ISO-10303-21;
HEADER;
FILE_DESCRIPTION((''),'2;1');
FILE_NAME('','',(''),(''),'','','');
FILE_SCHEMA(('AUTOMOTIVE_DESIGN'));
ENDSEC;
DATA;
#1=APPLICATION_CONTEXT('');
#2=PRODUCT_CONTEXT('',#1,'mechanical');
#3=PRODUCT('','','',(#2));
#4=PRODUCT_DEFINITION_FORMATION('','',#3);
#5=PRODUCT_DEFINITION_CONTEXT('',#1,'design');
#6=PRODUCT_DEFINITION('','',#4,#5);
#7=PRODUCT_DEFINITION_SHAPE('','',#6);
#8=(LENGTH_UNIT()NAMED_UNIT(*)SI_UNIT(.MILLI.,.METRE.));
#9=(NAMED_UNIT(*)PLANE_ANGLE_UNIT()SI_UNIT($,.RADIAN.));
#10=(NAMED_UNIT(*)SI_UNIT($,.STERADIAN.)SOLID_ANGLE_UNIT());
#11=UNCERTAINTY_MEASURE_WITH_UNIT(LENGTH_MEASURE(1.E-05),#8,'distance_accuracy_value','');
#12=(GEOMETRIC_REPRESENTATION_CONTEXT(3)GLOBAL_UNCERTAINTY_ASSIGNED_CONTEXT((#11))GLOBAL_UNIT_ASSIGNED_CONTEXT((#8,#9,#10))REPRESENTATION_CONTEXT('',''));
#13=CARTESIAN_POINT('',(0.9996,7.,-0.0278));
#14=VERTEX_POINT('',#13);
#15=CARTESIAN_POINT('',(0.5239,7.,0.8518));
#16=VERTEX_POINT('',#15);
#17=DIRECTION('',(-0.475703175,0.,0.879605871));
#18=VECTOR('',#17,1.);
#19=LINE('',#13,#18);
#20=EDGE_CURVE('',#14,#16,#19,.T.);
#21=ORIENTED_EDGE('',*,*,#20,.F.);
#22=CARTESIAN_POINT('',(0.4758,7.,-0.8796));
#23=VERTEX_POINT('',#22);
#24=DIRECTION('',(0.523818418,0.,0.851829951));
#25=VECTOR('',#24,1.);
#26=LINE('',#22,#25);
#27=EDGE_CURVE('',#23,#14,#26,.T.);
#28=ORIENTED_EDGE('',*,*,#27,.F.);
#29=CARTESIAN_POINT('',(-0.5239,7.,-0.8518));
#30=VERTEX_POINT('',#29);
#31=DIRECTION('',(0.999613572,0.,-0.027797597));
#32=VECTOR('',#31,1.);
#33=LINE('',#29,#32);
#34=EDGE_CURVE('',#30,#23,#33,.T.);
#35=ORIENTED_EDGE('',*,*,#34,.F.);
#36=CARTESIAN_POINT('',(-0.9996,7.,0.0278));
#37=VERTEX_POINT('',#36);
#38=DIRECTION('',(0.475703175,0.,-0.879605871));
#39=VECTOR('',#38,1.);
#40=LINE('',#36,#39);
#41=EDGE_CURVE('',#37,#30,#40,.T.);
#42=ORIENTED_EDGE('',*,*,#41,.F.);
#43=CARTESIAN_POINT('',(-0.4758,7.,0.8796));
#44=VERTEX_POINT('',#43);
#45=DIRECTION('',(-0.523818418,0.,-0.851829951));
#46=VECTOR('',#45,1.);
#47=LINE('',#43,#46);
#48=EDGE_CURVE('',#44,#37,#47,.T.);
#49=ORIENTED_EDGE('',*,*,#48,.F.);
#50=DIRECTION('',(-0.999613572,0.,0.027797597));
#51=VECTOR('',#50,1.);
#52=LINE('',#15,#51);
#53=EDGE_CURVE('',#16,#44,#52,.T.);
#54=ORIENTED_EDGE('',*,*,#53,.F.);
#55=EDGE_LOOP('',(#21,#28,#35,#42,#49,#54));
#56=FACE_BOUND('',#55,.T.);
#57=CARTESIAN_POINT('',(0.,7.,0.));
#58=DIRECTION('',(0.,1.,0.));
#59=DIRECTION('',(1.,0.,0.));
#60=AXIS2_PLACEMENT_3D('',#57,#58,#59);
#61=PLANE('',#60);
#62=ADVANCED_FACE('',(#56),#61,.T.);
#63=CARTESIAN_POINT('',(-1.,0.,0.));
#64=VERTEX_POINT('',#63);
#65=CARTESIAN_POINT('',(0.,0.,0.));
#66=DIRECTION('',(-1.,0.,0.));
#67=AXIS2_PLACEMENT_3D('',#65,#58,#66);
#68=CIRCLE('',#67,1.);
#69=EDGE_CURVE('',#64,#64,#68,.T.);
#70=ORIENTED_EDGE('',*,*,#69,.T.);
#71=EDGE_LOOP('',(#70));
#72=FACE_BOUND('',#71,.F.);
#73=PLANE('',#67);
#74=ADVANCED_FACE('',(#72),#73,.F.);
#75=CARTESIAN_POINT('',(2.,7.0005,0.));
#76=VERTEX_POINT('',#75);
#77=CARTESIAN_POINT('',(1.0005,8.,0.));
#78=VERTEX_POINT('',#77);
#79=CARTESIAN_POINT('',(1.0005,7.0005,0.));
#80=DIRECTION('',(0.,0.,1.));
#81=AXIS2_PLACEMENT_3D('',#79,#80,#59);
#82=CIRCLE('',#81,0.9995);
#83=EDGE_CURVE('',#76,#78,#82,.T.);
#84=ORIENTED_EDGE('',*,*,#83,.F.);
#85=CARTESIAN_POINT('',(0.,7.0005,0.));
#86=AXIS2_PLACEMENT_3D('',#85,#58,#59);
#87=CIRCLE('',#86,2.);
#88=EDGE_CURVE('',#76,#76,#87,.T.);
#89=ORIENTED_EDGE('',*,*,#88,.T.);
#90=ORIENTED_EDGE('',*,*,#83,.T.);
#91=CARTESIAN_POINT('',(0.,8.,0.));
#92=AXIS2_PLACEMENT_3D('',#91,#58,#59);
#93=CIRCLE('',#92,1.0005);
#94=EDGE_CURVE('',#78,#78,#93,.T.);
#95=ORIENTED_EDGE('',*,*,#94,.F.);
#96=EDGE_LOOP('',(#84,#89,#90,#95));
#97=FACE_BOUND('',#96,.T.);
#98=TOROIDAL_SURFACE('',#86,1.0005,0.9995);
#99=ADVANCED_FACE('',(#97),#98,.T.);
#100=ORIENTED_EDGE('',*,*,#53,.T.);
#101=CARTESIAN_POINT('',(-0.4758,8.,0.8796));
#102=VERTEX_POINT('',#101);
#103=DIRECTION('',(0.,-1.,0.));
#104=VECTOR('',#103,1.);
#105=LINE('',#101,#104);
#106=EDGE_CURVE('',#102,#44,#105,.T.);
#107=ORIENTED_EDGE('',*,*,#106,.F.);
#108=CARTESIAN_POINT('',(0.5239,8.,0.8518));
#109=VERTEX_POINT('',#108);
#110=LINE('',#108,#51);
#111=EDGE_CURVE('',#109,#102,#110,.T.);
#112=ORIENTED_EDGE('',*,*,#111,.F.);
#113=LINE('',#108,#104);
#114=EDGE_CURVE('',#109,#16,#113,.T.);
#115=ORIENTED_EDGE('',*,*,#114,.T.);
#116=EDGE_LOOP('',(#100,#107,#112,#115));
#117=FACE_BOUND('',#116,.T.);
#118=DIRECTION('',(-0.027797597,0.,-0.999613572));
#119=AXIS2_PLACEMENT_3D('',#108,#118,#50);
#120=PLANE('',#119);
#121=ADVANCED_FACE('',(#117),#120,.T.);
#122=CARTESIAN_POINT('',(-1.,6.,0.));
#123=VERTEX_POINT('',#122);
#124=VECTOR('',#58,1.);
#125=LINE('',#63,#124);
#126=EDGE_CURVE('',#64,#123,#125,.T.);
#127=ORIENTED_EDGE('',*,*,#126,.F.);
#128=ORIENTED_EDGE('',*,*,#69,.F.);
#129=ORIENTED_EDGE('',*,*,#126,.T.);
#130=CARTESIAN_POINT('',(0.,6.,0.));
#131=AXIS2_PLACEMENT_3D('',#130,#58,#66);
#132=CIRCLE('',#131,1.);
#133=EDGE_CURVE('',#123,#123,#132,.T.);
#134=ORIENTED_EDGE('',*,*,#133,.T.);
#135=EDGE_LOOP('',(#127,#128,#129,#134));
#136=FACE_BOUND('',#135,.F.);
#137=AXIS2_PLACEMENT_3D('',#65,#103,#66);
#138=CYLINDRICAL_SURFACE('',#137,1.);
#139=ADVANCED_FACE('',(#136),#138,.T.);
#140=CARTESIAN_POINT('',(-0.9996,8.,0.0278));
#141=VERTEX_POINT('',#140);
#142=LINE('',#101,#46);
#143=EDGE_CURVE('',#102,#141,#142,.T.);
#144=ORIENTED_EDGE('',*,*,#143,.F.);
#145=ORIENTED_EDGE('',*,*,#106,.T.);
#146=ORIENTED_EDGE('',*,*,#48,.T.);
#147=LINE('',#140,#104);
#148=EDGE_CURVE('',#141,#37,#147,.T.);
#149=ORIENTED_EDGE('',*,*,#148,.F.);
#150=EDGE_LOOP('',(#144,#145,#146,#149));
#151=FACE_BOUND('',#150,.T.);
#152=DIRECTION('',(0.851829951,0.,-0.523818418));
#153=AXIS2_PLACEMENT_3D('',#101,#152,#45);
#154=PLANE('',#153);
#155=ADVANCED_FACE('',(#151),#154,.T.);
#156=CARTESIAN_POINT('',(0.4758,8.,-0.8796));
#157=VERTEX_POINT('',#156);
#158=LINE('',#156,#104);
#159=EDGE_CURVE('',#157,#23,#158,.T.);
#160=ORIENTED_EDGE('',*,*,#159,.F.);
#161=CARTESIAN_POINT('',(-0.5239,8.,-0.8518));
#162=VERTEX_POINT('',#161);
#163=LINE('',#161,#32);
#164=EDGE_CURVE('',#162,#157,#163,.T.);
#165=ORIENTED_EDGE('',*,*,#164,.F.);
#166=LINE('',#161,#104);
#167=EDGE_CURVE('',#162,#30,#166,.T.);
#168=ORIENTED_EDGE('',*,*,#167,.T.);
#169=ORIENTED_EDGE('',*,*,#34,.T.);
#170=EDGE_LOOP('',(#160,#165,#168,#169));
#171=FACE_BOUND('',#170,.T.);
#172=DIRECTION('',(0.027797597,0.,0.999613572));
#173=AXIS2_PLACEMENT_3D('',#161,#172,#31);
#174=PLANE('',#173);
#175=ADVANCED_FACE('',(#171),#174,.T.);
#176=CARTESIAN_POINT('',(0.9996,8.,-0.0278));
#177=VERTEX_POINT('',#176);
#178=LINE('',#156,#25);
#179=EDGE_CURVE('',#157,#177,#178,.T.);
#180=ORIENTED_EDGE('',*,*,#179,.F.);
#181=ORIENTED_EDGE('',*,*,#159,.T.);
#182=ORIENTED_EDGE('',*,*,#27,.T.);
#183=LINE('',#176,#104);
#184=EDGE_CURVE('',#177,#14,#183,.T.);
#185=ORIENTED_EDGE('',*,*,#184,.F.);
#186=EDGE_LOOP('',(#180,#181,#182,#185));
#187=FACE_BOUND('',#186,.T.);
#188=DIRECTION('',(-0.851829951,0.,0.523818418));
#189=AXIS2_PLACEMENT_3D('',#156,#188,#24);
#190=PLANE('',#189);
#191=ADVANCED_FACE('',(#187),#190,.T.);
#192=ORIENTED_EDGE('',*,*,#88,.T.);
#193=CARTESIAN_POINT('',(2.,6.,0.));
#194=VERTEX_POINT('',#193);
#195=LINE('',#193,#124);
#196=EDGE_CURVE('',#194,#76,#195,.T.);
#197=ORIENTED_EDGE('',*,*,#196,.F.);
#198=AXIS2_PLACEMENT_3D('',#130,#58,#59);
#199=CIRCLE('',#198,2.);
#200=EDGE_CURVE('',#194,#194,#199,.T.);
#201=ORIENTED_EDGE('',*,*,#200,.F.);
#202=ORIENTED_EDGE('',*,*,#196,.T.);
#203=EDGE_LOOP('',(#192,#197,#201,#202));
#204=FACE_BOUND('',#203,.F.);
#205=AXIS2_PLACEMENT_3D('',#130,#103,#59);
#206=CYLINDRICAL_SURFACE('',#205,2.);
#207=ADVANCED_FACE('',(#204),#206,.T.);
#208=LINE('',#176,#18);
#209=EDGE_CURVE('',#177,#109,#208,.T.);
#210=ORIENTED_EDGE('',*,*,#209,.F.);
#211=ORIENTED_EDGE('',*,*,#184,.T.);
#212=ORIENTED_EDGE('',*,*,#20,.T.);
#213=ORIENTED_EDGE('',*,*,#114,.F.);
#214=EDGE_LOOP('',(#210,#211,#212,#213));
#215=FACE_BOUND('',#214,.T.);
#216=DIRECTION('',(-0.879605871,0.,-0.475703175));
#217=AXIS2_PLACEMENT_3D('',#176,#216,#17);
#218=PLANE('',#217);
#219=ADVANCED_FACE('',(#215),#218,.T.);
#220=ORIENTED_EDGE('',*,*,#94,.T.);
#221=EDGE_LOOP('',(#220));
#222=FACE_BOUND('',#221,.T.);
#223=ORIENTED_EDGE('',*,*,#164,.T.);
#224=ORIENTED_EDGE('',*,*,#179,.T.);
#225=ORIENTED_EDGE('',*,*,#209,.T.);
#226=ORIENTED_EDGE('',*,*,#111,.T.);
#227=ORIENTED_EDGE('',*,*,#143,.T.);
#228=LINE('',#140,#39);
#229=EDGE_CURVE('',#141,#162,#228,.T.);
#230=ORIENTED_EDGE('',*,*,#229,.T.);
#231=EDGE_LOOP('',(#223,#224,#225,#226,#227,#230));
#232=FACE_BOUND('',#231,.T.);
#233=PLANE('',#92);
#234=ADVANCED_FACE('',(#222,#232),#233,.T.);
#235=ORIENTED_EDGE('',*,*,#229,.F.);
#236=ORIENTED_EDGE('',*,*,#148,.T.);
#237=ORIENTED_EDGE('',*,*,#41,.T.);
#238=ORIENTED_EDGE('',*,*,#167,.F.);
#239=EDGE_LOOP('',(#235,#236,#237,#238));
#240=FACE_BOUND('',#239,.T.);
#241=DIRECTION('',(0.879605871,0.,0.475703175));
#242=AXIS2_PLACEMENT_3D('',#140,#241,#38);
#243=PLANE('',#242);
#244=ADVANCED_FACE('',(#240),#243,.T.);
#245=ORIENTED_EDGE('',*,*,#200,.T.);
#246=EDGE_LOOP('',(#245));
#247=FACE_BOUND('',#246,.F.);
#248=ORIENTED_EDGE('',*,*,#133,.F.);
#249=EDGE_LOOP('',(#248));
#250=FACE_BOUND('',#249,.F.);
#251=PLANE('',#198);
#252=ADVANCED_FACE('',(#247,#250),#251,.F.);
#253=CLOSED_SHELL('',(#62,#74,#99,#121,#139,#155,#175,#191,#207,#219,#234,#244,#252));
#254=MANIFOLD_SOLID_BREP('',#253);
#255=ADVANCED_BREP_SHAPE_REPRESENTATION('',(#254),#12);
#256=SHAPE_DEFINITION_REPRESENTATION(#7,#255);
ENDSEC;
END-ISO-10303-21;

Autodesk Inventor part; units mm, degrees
ref_plane "YZ Plane" through (0, 0, 0) normal (1, 0, 0) x (0, 1, 0)
ref_plane "XZ Plane" through (0, 0, 0) normal (0, 1, 0) x (-1, 0, 0)
ref_plane "XY Plane" through (0, 0, 0) normal (0, 0, 1) x (1, 0, 0)
sketch "Sketch1" plane through (0, 0, 0) normal (0, 1, 0) x (-1, 0, 0)
  circle A0 centre (0, 0) radius 1
  dimension "d0" = 2
extrude "Extrusion1" add sketch "Sketch1" along normal blind 6
sketch "Sketch2" plane through (0, 6, 0) normal (0, 1, 0) x (1, 0, 0)
  circle A0 centre (0, 0) radius 2
  dimension "d3" = 4
extrude "Extrusion2" add sketch "Sketch2" along normal blind 2
sketch "Sketch3" plane through (0, 8, 0) normal (0, 1, 0) x (1, 0, 0)
  circle A0 centre (0, 0) radius 1 construction
  circle A1 centre (0, 0) radius 1 construction
  circle A2 centre (0, 0) radius 1
  line L0 (-0.9996, -0.0278) -> (-0.5239, 0.8518)
  line L1 (-0.5239, 0.8518) -> (0.4758, 0.8796)
  line L2 (0.4758, 0.8796) -> (0.9996, 0.0278)
  line L3 (0.9996, 0.0278) -> (0.5239, -0.8518)
  line L4 (0.5239, -0.8518) -> (-0.4758, -0.8796)
  line L5 (-0.4758, -0.8796) -> (-0.9996, -0.0278)
  dimension "d6" = 2
extrude "Extrusion3" cut sketch "Sketch3" against normal blind 1 contours L3 L4 L5 L0 L1 L2
fillet "Fillet1" radius 1 1 edges at (-2, 8, 0)
thread "Thread1" size "M2x0.4" class "6g" standard "ANSI Metric M Profile" full length
properties part number "2x6mmScrew"
